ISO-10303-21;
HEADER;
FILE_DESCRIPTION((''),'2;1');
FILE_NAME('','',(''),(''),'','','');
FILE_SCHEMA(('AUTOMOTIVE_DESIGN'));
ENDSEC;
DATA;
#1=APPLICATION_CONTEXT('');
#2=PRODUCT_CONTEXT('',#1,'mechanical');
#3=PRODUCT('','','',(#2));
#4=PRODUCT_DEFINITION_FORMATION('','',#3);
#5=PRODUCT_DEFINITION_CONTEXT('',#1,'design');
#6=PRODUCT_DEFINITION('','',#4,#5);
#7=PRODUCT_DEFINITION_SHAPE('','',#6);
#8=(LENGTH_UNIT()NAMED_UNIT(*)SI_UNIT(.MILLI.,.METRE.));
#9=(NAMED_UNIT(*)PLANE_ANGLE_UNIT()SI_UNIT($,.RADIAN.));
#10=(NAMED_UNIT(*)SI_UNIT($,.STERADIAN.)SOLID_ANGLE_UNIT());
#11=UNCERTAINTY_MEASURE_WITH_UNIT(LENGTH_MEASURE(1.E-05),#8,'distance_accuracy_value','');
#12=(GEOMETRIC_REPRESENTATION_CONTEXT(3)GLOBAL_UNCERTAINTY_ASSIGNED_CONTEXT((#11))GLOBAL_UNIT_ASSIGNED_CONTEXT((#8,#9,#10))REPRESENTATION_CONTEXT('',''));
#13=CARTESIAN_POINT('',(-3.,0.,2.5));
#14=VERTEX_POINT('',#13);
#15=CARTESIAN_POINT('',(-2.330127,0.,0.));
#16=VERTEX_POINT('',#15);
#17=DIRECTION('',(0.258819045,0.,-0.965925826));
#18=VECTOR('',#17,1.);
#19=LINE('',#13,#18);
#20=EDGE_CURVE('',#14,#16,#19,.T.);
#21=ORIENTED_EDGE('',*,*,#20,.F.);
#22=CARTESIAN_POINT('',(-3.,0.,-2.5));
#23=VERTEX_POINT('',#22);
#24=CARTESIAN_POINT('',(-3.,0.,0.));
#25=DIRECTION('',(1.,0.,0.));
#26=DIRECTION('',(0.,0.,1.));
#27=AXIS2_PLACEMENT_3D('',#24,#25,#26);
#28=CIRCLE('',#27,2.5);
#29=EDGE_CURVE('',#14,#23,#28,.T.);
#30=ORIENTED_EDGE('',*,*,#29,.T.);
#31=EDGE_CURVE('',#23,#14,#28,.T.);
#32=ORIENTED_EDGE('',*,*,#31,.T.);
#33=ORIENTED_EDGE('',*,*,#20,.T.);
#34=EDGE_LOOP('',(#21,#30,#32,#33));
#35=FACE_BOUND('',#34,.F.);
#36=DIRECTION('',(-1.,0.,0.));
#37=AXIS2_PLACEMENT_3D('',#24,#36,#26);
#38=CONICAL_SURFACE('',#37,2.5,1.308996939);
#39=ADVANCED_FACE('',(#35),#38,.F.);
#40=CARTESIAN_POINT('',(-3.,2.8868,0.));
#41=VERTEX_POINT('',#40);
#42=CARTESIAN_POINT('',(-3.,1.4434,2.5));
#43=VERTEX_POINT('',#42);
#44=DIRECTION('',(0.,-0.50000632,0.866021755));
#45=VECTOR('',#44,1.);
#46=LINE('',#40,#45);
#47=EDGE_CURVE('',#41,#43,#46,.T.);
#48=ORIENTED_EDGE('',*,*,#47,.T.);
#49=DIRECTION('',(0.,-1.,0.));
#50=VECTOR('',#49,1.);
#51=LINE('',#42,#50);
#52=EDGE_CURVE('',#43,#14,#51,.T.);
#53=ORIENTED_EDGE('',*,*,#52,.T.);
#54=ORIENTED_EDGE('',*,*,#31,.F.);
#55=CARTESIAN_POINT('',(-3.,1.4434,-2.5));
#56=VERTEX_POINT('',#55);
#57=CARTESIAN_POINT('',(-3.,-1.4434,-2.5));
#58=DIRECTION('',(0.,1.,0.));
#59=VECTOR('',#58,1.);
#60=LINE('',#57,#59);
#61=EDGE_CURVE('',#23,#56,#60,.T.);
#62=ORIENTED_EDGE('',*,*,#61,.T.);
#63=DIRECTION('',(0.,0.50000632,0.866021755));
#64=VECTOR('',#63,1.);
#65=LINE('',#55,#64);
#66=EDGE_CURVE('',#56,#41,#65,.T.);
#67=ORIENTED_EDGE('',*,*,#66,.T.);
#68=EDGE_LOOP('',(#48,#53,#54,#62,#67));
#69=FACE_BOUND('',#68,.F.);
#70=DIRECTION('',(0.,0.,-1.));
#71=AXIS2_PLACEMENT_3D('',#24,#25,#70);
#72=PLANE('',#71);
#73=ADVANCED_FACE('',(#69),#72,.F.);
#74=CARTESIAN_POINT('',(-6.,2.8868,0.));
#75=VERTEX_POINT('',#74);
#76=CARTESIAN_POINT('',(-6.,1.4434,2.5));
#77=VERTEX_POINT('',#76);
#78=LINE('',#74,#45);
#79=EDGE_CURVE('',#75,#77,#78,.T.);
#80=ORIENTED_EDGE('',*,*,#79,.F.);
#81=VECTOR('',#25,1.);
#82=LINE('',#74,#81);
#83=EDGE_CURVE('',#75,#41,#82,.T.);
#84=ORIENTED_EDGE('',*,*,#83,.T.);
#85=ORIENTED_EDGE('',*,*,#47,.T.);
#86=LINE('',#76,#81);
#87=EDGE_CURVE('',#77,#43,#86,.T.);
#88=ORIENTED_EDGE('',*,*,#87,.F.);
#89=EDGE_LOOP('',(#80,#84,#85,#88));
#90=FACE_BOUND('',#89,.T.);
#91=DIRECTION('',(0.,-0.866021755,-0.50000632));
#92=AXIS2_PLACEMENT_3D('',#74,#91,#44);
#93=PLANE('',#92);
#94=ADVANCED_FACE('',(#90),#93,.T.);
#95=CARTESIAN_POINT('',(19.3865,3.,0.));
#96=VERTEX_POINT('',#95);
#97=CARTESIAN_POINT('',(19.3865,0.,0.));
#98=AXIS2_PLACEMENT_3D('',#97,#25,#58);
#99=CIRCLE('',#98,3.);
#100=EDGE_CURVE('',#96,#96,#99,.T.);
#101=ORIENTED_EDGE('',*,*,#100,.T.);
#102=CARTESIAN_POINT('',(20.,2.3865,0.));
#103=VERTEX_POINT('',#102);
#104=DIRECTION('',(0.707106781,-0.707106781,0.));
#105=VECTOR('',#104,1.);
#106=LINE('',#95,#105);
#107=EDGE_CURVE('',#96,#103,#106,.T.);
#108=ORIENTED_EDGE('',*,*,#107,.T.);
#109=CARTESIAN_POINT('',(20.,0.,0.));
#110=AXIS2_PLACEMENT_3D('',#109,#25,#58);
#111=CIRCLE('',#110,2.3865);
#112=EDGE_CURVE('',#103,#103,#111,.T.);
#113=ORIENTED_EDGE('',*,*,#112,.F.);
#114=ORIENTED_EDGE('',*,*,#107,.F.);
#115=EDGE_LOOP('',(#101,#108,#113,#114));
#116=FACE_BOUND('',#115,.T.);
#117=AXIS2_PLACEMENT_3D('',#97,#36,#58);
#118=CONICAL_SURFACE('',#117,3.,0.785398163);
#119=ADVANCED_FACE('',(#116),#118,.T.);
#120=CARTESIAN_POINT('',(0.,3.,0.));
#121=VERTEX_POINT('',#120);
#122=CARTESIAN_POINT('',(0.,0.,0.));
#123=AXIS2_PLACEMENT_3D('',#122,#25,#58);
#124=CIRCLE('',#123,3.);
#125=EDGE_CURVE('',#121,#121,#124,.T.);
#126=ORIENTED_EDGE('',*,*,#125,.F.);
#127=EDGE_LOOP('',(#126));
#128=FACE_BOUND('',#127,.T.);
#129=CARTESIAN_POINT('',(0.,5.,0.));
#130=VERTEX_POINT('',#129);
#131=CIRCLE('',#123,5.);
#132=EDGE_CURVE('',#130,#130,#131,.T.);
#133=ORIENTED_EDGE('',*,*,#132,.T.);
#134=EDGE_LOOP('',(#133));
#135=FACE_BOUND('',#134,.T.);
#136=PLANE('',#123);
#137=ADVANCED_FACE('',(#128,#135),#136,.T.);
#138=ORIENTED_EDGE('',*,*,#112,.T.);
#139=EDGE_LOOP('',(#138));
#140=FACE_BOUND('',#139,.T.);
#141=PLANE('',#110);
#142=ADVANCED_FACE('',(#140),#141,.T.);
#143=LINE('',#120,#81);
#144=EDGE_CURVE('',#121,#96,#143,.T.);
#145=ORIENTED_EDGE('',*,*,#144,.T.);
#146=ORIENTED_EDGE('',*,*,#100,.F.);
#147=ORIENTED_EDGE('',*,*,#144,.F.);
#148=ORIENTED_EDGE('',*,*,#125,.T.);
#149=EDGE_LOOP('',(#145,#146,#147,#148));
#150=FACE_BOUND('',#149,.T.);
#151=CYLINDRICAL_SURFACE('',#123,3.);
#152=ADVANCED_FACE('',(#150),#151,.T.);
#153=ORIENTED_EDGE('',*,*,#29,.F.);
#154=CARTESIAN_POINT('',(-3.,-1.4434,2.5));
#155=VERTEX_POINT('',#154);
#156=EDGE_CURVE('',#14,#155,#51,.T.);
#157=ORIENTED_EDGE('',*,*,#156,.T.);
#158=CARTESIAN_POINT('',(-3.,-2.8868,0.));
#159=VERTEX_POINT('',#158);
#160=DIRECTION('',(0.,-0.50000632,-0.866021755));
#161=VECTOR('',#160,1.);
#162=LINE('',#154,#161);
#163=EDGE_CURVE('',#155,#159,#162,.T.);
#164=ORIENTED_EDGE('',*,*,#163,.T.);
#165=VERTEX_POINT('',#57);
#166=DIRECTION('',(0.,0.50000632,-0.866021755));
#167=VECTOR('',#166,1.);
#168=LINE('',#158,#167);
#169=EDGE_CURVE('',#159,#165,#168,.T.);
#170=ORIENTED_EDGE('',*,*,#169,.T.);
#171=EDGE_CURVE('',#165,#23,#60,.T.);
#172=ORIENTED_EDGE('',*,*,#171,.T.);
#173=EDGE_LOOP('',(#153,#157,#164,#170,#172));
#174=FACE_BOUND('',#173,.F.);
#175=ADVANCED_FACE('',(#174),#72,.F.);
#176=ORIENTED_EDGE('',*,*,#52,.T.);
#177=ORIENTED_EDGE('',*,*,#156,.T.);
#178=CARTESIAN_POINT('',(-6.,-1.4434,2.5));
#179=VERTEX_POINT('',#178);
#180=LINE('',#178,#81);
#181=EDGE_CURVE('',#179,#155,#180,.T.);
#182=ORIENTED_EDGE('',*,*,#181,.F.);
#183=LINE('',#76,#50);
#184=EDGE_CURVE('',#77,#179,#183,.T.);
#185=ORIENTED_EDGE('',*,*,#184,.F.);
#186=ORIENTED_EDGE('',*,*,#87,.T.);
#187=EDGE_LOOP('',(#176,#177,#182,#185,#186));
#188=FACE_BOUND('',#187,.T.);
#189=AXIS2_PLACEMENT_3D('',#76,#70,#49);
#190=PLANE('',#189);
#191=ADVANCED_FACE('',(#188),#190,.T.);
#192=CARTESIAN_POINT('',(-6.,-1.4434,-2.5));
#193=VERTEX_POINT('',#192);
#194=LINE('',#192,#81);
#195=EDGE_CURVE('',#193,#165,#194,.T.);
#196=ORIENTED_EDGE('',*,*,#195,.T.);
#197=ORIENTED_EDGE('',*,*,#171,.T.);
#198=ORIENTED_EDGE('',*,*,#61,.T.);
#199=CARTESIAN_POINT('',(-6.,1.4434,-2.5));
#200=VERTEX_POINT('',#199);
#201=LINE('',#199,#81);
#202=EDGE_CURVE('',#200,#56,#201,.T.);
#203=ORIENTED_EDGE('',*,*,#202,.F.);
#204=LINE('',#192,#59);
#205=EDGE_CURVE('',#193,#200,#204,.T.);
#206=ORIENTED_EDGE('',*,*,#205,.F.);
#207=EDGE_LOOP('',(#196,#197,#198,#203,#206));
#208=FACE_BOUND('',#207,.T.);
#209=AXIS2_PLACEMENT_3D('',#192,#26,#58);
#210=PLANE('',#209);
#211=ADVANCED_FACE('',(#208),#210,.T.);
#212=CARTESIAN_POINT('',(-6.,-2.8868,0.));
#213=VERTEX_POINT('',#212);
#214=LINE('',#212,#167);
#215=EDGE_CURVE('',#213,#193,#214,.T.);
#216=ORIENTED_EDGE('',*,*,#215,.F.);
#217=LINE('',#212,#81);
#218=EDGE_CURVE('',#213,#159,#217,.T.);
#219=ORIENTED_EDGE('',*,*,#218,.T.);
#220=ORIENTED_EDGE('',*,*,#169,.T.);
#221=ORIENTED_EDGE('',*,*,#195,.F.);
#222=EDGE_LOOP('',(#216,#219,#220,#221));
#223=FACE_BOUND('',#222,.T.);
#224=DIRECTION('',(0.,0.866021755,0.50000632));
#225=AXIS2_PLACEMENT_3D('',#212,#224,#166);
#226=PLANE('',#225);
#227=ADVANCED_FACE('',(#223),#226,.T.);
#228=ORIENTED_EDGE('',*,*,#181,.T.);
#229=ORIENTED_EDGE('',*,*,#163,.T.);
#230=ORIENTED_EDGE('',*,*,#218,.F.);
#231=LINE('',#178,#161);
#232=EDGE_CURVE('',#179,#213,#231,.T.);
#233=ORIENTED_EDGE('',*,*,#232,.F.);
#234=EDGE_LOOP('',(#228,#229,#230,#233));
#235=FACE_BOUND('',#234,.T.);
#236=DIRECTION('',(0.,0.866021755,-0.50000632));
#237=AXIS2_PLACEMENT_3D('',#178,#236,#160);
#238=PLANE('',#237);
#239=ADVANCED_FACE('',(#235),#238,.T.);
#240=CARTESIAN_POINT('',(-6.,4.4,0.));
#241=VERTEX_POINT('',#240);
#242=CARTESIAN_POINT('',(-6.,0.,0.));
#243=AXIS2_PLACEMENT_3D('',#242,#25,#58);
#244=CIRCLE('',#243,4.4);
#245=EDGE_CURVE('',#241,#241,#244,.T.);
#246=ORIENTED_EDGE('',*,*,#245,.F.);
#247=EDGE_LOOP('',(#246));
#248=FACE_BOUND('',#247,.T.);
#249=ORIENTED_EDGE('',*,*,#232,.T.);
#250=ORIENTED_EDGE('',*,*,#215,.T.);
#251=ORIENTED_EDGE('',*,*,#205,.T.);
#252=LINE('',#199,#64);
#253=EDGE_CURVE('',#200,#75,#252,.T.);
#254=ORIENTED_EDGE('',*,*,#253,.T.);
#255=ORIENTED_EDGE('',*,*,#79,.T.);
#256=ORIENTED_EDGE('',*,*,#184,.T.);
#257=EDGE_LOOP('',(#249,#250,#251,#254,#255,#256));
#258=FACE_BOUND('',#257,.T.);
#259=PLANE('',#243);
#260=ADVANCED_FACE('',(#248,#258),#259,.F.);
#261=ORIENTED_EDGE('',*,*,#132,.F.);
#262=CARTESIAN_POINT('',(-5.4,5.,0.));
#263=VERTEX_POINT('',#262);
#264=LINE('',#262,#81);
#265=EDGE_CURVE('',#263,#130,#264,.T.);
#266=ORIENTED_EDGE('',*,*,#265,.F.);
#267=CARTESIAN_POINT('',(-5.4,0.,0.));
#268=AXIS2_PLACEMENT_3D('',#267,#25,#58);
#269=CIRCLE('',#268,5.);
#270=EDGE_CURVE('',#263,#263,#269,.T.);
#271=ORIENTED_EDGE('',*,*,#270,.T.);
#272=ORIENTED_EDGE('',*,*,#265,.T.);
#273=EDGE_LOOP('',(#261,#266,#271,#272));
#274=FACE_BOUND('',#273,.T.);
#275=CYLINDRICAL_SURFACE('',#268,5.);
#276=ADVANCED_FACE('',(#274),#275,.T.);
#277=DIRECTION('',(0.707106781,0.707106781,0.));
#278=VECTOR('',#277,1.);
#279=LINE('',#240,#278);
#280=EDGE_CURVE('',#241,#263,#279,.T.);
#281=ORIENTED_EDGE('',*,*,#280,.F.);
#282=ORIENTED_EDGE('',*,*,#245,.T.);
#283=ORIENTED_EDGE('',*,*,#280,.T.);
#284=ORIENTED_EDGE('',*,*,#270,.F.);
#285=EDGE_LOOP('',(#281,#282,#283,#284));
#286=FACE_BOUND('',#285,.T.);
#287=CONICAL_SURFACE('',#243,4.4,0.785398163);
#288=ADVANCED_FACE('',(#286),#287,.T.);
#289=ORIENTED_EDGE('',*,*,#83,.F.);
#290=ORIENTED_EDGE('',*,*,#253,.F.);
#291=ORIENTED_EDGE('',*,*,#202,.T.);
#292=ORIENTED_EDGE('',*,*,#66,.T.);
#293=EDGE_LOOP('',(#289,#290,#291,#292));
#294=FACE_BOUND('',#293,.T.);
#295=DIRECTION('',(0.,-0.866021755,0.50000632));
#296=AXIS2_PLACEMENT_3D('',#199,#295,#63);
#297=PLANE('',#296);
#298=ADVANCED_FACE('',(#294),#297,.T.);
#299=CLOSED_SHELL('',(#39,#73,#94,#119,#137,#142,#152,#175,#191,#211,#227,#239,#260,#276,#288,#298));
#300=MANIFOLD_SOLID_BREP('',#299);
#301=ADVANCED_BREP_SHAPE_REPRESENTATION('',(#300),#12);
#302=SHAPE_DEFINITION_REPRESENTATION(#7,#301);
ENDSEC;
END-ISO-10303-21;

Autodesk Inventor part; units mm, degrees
sketch "Sketch_1" plane through (0, 0, 0) normal (0, 0, 1) x (1, 0, 0)
  line L0 (20, 0) -> (-6, 0)
  line L1 (-6, 0) -> (-6, 4.4)
  line L2 (-6, 4.4) -> (-5.4, 5)
  line L3 (-5.4, 5) -> (0, 5)
  line L4 (0, 5) -> (0, 3)
  line L5 (0, 3) -> (19.3865, 3)
  line L6 (19.3865, 3) -> (20, 2.3865)
  line L7 (20, 2.3865) -> (20, 0)
  line L8 (20, 0) -> (-6, 0)
revolve "Revolution1" add sketch "Sketch_1" angle 360 about axis through (20, 0, 0) along (1, 0, 0)
thread "Thread1" size "M6x1" class "6g" standard "ISO Metric profile" length 18.3865
sketch "Sketch2" plane through (-6, 0, 0) normal (-1, 0, 0) x (0, 0, 1)
  point P0 (0, 0)
hole "Hole1" at (-6, 0, 0) direction (1, 0, 0) diameter 5 depth 3 tip angle 150
sketch "Sketch_3" plane through (-6, 0, 0) normal (1, 0, 0) x (0, 0, -1)
  line L0 (-2.5, -1.4434) -> (0, -2.8868)
  line L1 (0, -2.8868) -> (2.5, -1.4434)
  line L2 (2.5, -1.4434) -> (2.5, 1.4434)
  line L3 (2.5, 1.4434) -> (0, 2.8868)
  line L4 (0, 2.8868) -> (-2.5, 1.4434)
  line L5 (-2.5, 1.4434) -> (-2.5, -1.4434)
extrude "Extrusion1" cut sketch "Sketch_3" along normal blind 3
ref_plane "to_cp_XY" through (0, 0, 0) normal (1, 0, 0) x (0, 0, -1)
ref_plane "to_cp_YZ" through (0, 0, 0) normal (0, 0, -1) x (0, 1, 0)
ref_plane "to_cp_ZX" through (0, 0, 0) normal (0, 1, 0) x (1, 0, 0)
properties part number "BOLT6-20"
